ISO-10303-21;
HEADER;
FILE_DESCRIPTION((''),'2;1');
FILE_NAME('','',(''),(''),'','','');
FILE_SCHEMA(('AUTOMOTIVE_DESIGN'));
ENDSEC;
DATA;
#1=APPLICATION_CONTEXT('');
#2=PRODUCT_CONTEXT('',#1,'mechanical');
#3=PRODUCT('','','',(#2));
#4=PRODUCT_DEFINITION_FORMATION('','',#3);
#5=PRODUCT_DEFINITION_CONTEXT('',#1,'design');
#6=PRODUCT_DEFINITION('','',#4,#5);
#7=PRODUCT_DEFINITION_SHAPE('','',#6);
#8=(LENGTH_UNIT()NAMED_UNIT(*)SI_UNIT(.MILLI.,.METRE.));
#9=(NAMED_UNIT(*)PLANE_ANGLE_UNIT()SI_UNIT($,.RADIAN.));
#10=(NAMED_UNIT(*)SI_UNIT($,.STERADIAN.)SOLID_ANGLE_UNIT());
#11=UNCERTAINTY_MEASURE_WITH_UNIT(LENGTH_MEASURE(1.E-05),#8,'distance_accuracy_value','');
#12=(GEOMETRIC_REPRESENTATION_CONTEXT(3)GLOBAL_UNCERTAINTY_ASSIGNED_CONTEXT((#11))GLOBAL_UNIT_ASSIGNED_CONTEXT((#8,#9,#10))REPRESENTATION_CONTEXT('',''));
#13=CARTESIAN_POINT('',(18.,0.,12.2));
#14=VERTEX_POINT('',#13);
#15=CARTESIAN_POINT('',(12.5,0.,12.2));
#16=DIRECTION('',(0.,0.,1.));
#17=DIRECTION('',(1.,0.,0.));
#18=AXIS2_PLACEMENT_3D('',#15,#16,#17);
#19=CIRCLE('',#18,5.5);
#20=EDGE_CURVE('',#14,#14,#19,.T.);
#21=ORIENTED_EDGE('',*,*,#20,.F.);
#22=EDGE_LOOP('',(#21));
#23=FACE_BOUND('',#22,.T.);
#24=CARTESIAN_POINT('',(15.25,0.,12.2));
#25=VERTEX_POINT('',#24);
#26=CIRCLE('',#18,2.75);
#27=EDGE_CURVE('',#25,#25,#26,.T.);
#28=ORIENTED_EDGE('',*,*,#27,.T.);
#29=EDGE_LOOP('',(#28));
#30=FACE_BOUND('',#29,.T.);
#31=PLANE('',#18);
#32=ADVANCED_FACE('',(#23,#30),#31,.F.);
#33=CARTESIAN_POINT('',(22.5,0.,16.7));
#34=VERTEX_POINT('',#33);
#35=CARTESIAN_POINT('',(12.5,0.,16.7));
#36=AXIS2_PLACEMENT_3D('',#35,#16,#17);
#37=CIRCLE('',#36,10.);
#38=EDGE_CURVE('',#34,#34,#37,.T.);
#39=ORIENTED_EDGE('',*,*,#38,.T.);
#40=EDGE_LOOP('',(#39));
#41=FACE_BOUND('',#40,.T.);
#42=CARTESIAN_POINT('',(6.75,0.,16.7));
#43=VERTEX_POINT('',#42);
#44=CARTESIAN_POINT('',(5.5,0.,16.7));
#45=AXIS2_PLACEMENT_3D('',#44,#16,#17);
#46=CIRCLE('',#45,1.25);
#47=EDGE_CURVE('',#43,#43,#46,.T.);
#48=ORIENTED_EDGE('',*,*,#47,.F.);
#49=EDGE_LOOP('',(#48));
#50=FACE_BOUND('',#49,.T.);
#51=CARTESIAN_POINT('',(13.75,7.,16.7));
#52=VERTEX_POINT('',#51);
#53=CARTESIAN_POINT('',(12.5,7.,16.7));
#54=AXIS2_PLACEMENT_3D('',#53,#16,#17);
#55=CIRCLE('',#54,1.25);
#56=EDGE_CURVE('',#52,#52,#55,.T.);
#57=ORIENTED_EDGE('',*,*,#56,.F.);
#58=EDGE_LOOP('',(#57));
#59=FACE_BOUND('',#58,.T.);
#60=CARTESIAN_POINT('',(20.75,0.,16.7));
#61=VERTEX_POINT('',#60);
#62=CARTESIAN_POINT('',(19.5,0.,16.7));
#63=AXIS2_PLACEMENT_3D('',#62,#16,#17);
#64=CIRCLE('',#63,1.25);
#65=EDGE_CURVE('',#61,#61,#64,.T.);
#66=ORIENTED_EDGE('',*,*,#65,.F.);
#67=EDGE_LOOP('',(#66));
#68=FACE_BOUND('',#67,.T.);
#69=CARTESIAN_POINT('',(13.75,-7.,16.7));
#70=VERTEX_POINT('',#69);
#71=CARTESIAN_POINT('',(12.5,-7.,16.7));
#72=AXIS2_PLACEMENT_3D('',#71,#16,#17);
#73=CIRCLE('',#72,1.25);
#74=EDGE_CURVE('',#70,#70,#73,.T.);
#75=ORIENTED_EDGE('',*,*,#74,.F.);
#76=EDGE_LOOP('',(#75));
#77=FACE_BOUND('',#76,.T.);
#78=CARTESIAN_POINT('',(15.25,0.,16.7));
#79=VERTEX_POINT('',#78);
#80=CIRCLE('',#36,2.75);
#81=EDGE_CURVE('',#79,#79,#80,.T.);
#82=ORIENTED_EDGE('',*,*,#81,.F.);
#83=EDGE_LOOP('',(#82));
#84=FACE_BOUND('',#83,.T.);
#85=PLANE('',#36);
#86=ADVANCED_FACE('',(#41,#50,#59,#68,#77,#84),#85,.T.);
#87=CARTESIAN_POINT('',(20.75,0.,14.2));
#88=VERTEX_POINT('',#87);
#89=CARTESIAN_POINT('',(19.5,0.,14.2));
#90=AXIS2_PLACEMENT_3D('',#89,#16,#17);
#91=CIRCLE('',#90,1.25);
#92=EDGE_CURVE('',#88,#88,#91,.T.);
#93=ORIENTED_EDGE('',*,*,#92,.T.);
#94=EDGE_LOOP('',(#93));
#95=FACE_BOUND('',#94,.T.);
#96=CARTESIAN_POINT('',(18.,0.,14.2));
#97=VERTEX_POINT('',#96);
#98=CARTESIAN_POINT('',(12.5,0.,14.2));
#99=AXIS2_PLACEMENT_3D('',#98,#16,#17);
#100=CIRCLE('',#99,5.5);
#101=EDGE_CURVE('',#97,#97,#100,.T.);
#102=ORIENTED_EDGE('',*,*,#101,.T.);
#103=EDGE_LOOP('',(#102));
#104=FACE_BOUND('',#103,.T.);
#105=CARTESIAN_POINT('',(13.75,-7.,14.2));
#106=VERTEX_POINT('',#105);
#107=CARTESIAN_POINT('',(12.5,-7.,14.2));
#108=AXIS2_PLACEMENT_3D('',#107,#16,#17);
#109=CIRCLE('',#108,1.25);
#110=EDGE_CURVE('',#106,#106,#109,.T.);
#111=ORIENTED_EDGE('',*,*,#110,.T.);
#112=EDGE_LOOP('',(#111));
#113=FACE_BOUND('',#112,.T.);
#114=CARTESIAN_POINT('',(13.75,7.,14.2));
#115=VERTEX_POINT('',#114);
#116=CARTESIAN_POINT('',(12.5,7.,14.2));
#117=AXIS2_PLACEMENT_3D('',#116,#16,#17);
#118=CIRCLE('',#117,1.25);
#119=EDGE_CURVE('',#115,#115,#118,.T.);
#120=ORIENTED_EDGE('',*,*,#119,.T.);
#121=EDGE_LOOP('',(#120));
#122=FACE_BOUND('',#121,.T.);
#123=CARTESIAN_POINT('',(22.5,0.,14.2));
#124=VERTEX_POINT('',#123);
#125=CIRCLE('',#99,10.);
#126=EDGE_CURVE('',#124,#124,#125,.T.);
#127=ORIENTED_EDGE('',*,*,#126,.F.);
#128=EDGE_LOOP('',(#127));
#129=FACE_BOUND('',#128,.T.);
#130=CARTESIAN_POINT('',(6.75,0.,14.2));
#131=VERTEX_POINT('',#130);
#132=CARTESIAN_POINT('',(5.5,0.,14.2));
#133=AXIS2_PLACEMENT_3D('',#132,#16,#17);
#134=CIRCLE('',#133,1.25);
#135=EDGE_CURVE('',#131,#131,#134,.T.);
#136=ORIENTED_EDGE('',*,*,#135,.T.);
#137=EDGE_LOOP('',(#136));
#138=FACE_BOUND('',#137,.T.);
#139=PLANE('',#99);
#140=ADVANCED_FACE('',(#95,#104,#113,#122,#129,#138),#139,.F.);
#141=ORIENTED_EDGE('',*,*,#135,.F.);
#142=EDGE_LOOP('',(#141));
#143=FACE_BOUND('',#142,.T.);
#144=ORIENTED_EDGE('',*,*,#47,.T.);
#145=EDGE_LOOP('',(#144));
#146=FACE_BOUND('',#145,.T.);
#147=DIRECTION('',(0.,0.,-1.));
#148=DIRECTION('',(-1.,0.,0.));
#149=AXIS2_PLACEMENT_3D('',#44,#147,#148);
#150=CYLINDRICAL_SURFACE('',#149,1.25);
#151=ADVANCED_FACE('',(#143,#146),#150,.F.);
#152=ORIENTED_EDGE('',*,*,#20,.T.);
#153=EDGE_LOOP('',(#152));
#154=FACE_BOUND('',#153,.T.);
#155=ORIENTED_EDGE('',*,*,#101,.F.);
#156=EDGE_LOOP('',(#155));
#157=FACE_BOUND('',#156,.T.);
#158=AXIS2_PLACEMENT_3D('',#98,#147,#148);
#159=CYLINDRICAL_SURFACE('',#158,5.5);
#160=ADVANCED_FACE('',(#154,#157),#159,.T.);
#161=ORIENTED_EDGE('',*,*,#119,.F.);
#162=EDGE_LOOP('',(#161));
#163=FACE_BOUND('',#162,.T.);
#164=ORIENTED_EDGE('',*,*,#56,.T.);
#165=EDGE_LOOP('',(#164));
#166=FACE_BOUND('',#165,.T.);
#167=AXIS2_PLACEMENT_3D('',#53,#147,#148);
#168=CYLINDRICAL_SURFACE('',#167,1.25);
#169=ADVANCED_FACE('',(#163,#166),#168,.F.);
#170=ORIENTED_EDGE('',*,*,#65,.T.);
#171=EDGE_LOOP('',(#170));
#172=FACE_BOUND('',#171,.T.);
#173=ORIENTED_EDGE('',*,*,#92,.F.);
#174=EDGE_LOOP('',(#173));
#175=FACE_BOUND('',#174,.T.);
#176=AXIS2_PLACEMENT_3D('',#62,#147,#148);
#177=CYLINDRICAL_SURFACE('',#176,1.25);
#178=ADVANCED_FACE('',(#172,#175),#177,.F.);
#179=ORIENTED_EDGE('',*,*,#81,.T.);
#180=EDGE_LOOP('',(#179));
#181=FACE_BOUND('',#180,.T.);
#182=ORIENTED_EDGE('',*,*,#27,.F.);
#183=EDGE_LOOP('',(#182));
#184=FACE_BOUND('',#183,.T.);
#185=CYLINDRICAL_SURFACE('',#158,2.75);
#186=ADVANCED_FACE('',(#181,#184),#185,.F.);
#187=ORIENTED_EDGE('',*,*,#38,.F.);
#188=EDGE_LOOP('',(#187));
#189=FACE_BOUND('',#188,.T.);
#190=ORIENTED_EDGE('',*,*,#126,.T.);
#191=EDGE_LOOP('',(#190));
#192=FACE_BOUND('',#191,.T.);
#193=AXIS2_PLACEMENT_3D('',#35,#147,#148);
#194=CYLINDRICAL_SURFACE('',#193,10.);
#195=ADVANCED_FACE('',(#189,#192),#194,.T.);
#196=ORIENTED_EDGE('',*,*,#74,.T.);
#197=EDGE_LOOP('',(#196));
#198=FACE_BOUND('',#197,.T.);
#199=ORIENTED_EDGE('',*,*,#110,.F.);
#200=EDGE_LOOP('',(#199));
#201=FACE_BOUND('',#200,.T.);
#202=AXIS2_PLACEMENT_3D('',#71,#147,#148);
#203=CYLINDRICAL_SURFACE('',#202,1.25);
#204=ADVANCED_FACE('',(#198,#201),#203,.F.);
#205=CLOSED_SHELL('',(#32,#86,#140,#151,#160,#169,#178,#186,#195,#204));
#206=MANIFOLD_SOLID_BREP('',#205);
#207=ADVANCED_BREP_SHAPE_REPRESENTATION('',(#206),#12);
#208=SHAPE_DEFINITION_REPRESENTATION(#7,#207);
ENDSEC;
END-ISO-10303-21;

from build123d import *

# Parameters (mm, degrees)
SPLINE_HUB_ENVELOPE_START             = 12.2
SPLINE_HUB_ENVELOPE_PROFILE_R         = 5.5
SPLINE_HUB_ENVELOPE_PROFILE_R_2       = 2.75
SPLINE_HUB_ENVELOPE_DEPTH             = 2
DISC_D20_PCD14_TAP_DRILLS_START       = 14.2
DISC_D20_PCD14_TAP_DRILLS_PROFILE_R   = 10
DISC_D20_PCD14_TAP_DRILLS_PROFILE_R_2 = 2.75
DISC_D20_PCD14_TAP_DRILLS_PROFILE_R_3 = 1.25
DISC_D20_PCD14_TAP_DRILLS_DEPTH       = 2.5


with BuildPart() as part:
    # Spline_hub_envelope_Profile → Spline_hub_envelope (new body)
    with BuildSketch(Plane.XY.offset(SPLINE_HUB_ENVELOPE_START)):
        with Locations((12.5, 0)):
            Circle(SPLINE_HUB_ENVELOPE_PROFILE_R)
        with Locations((12.5, 0)):
            Circle(SPLINE_HUB_ENVELOPE_PROFILE_R_2, mode=Mode.SUBTRACT)
    extrude(amount=SPLINE_HUB_ENVELOPE_DEPTH)

    # Disc_D20_PCD14_tap_drills_Profile → Disc_D20_PCD14_tap_drills (add)
    with BuildSketch(Plane.XY.offset(DISC_D20_PCD14_TAP_DRILLS_START)):
        with Locations((12.5, 0)):
            Circle(DISC_D20_PCD14_TAP_DRILLS_PROFILE_R)
        with Locations((12.5, 0)):
            Circle(DISC_D20_PCD14_TAP_DRILLS_PROFILE_R_2, mode=Mode.SUBTRACT)
        with Locations((19.5, 0)):
            Circle(DISC_D20_PCD14_TAP_DRILLS_PROFILE_R_3, mode=Mode.SUBTRACT)
        with Locations((5.5, 0)):
            Circle(DISC_D20_PCD14_TAP_DRILLS_PROFILE_R_3, mode=Mode.SUBTRACT)
        with Locations((12.5, 7)):
            Circle(DISC_D20_PCD14_TAP_DRILLS_PROFILE_R_3, mode=Mode.SUBTRACT)
        with Locations((12.5, -7)):
            Circle(DISC_D20_PCD14_TAP_DRILLS_PROFILE_R_3, mode=Mode.SUBTRACT)
    extrude(amount=DISC_D20_PCD14_TAP_DRILLS_DEPTH)


solid = part.part
